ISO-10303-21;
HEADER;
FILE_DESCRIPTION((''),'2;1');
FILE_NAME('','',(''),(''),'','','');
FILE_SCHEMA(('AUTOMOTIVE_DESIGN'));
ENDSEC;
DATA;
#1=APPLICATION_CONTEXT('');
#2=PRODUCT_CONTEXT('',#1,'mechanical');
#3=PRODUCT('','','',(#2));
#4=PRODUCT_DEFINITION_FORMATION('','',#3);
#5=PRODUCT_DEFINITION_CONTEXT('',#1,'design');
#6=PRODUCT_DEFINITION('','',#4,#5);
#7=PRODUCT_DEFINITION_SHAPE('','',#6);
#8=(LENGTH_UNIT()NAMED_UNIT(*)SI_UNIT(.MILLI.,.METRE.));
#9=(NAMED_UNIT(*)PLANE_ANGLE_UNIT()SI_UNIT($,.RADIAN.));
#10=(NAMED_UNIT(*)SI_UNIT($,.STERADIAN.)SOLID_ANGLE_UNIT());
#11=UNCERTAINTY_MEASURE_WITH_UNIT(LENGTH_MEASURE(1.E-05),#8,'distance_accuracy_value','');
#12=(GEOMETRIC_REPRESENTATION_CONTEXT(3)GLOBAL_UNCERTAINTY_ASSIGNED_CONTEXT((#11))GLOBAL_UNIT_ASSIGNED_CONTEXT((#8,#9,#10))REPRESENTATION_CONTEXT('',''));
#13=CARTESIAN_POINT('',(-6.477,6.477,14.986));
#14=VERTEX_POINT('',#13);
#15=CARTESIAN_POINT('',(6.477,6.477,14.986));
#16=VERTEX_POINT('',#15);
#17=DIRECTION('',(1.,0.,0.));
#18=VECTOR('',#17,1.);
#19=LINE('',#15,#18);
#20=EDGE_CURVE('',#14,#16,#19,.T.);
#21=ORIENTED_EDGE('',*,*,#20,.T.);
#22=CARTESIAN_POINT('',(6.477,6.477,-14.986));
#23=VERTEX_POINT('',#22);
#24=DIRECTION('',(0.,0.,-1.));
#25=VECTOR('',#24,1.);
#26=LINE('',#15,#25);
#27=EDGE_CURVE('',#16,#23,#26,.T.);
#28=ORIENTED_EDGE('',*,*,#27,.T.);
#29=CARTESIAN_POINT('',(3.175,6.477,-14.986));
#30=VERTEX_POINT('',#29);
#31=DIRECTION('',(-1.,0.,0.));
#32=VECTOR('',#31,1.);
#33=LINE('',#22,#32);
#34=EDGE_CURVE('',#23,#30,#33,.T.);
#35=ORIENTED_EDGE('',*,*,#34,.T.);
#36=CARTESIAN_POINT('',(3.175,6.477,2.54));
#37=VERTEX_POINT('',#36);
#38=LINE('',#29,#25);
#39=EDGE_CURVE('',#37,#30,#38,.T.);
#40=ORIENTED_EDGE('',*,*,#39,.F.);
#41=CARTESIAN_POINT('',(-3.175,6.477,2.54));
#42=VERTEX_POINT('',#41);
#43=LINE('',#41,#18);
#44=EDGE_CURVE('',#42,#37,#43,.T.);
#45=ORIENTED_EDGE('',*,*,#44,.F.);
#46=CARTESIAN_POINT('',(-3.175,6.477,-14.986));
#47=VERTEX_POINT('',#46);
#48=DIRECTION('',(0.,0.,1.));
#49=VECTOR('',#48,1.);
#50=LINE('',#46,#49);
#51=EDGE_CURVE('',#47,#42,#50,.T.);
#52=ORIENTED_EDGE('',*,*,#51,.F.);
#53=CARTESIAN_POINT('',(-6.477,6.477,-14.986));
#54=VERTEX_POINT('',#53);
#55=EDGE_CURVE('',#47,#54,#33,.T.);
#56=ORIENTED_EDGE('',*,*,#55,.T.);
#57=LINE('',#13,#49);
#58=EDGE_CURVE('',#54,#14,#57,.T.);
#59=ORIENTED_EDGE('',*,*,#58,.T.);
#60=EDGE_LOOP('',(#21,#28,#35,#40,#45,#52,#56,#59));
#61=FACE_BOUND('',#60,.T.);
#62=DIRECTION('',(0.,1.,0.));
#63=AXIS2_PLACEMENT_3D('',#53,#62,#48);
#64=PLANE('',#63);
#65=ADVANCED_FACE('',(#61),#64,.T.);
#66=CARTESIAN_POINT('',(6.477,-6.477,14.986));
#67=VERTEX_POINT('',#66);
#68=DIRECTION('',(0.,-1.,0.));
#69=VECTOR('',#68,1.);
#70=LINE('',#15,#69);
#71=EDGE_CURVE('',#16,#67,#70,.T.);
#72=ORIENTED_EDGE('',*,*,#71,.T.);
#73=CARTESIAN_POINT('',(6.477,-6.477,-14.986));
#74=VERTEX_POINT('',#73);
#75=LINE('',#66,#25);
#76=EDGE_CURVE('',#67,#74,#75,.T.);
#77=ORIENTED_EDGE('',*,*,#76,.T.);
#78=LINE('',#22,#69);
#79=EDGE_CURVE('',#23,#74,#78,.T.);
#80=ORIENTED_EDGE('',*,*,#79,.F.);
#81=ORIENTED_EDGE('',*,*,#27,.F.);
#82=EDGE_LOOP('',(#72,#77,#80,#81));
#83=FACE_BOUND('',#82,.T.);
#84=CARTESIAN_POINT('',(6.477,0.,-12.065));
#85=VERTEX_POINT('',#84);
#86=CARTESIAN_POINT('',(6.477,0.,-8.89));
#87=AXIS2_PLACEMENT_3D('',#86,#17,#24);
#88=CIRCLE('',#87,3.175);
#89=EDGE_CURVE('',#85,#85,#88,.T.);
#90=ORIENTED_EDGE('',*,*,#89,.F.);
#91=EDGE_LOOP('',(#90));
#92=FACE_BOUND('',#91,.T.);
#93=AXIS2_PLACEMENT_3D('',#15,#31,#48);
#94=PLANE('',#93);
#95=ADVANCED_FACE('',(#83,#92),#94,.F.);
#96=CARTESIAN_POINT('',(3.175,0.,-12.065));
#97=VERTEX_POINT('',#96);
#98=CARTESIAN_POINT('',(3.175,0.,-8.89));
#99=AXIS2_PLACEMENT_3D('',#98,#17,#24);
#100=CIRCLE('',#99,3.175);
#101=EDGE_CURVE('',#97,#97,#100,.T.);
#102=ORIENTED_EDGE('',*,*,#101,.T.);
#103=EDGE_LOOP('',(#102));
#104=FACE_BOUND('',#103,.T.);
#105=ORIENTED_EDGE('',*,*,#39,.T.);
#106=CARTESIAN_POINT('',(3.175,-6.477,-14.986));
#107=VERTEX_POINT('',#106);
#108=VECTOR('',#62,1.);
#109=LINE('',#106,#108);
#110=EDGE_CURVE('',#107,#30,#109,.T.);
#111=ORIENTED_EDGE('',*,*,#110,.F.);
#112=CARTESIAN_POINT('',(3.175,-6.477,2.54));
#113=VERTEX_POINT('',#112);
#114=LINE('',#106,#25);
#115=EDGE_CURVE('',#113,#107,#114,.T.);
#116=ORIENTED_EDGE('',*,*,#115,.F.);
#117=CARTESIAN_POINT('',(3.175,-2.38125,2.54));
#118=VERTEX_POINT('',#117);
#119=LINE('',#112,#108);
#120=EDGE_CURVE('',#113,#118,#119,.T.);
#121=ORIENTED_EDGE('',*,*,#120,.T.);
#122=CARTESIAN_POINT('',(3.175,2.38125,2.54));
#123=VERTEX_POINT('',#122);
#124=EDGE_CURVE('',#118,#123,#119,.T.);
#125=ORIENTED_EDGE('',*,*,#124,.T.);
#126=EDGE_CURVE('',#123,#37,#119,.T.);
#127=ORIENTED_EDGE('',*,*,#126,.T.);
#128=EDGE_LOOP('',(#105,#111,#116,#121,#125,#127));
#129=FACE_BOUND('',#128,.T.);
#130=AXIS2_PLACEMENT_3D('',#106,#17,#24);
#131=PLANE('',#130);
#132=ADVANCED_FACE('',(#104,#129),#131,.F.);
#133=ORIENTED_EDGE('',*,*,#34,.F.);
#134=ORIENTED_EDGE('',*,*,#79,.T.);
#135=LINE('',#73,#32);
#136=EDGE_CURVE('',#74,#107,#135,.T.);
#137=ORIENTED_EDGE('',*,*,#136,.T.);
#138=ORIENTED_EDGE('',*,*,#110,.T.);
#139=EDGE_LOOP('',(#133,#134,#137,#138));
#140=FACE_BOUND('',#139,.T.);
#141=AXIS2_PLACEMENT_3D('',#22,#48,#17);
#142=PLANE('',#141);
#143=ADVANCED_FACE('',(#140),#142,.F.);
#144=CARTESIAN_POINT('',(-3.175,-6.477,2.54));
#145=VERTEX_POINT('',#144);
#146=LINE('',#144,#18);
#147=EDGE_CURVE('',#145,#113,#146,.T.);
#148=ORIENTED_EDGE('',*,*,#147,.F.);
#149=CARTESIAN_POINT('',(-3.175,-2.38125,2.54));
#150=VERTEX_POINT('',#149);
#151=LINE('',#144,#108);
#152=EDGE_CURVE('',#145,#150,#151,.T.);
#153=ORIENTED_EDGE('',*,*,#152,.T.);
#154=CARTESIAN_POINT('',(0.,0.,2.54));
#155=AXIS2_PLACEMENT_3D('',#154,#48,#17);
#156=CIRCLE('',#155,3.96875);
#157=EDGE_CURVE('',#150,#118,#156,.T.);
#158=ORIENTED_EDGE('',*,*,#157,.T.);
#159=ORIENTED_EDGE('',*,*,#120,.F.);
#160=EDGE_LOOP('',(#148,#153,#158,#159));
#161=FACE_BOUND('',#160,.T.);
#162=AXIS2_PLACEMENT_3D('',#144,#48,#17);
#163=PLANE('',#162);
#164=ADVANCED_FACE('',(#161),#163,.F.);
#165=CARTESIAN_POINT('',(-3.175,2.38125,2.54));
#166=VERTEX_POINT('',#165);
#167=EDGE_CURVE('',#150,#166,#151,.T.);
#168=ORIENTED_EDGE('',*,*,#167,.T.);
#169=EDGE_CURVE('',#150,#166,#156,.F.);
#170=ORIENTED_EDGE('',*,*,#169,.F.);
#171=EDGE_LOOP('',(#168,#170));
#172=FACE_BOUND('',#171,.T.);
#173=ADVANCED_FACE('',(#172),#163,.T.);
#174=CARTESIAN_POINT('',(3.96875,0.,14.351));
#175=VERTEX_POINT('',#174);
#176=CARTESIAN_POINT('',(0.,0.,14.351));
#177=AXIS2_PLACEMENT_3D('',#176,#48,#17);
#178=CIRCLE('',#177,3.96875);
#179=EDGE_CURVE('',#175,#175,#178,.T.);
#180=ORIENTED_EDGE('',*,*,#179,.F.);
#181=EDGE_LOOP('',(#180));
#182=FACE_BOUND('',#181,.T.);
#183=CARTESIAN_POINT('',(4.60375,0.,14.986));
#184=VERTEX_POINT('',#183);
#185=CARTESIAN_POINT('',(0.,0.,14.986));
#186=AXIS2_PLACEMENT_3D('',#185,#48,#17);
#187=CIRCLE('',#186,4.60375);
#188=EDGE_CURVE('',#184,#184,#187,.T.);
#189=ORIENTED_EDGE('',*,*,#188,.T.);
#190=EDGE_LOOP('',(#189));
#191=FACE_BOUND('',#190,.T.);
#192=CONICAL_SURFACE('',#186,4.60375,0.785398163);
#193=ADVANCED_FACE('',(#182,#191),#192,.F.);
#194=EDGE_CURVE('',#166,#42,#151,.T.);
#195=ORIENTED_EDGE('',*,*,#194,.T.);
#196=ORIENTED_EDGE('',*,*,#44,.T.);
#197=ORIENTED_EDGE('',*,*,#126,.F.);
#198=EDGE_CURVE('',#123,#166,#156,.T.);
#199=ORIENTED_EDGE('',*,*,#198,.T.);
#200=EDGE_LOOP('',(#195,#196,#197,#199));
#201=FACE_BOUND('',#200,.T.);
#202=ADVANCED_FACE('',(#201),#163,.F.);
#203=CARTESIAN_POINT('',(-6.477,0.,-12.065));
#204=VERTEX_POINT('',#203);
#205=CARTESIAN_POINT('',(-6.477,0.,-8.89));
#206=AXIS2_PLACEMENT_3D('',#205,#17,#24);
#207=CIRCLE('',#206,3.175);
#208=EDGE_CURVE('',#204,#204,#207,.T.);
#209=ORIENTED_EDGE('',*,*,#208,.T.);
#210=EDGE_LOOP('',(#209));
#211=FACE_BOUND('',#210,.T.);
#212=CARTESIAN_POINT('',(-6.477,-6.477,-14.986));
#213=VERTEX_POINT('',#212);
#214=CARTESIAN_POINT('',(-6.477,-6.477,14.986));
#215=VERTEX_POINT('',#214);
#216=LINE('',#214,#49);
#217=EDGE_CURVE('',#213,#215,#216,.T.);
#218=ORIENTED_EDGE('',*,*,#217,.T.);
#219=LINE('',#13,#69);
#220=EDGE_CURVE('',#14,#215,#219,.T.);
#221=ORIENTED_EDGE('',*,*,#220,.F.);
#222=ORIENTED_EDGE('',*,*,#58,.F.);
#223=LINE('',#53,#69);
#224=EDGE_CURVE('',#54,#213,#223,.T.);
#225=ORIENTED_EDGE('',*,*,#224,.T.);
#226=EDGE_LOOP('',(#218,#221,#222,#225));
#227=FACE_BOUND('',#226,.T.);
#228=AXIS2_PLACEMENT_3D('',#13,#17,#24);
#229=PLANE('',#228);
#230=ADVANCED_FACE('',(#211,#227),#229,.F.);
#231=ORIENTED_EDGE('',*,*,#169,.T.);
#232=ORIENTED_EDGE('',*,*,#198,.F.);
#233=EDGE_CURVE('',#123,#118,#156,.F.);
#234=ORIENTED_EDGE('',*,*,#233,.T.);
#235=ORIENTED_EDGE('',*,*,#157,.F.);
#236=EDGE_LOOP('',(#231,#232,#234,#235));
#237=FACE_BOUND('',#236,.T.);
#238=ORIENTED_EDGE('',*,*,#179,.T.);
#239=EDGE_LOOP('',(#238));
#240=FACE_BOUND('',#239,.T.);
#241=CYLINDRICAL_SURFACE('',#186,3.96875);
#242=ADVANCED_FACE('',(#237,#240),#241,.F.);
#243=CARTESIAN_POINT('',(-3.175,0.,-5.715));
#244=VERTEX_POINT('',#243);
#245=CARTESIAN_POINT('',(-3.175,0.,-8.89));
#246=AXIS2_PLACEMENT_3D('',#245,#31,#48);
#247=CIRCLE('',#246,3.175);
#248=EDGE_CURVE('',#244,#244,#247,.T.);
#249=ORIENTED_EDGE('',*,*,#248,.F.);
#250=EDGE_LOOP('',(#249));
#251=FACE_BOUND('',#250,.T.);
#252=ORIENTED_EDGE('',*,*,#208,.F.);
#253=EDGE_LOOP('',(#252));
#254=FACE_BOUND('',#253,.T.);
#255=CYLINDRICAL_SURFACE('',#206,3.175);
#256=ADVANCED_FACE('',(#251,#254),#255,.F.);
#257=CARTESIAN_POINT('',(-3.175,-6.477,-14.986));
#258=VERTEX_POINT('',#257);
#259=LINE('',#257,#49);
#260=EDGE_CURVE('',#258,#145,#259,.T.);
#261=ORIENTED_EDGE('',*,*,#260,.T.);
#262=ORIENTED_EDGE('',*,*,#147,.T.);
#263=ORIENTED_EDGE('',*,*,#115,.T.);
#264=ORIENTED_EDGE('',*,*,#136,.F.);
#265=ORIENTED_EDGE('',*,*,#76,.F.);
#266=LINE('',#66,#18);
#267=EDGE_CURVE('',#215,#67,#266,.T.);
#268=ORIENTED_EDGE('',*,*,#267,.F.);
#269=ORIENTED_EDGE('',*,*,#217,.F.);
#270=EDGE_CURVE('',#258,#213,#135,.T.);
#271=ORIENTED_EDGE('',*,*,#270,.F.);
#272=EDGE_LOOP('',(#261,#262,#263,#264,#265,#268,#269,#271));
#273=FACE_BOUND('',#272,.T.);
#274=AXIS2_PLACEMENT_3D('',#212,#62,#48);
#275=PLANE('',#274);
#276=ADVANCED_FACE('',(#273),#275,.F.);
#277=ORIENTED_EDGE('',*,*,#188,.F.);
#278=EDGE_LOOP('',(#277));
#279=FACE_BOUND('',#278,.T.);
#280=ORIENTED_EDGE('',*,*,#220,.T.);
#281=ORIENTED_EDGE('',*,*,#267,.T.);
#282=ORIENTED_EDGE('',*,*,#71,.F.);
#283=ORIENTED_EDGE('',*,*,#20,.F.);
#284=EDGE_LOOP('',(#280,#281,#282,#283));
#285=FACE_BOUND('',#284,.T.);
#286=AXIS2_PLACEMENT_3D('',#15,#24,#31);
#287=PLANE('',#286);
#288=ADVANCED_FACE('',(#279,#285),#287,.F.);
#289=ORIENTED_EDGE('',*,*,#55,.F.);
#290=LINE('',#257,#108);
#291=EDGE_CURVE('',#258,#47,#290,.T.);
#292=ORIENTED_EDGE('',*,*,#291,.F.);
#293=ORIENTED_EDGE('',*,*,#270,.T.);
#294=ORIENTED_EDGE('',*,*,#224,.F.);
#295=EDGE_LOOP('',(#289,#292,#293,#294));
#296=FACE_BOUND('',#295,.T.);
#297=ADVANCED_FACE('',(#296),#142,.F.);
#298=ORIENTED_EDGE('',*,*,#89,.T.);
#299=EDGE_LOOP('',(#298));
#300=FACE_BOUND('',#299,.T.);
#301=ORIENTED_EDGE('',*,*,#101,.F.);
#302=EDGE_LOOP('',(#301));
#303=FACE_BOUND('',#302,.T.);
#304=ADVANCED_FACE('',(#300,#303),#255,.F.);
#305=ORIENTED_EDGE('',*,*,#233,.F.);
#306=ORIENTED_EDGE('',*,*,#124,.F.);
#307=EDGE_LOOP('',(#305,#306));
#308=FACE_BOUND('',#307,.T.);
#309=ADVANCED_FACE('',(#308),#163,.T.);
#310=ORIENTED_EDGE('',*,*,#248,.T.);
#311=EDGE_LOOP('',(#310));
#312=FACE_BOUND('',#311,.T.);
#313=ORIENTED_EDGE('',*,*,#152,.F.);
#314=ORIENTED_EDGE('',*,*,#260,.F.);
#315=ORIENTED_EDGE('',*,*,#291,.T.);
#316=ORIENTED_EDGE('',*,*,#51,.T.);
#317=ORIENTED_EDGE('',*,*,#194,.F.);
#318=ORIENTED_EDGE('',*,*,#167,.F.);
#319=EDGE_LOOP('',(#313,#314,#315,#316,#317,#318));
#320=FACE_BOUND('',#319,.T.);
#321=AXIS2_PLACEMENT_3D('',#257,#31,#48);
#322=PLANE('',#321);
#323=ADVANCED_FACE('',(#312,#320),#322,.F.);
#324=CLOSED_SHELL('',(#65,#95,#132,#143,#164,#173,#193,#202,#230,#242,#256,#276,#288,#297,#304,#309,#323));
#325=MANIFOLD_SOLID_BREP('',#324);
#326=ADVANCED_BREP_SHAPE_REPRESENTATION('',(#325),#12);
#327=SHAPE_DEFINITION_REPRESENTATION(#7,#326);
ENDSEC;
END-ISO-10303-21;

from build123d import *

# Parameters (mm, degrees)
SKETCH1_W                          = 12.954
SKETCH1_H                          = 29.972
EXTRUDE1_DEPTH                     = 6.477
SKETCH2_W                          = 6.35
SKETCH2_H                          = 17.526
EXTRUDE2_DEPTH                     = 13.954
SKETCH5_R                          = 3.175
EXTRUDE3_DEPTH                     = 13.954
F_5_16_24_TAPPED_HOLE1_D           = 7.9375
F_5_16_24_TAPPED_HOLE1_DEPTH       = 12.446
F_5_16_24_TAPPED_HOLE1_CSINK_D     = 9.2075
F_5_16_24_TAPPED_HOLE1_CSINK_ANGLE = 90


with BuildPart() as part:
    # Sketch1 → Extrude1 (new body, symmetric)
    with BuildSketch(Plane(origin=(0, 0, 0), x_dir=(1, 0, 0), z_dir=(0, 1, 0))):
        Rectangle(SKETCH1_W, SKETCH1_H)
    extrude(amount=EXTRUDE1_DEPTH, both=True)

    # Sketch2 → Extrude2 (cut, through all)
    with BuildSketch(Plane(origin=(0, 6.477, 0), x_dir=(1, 0, 0), z_dir=(0, 1, 0))):
        with Locations((0, 6.223)):
            Rectangle(SKETCH2_W, SKETCH2_H)
    extrude(amount=-EXTRUDE2_DEPTH, mode=Mode.SUBTRACT)

    # Sketch5 → Extrude3 (cut, through all)
    with BuildSketch(Plane(origin=(6.477, 0, 0), x_dir=(0, 0, -1), z_dir=(1, 0, 0))):
        with Locations((8.89, 0)):
            Circle(SKETCH5_R)
    extrude(amount=-EXTRUDE3_DEPTH, mode=Mode.SUBTRACT)

    # 5/16-24 Tapped Hole1
    with Locations(Plane.XY.offset(14.986)):
        with Locations((0, 0)):
            CounterSinkHole(F_5_16_24_TAPPED_HOLE1_D / 2, F_5_16_24_TAPPED_HOLE1_CSINK_D / 2, depth=F_5_16_24_TAPPED_HOLE1_DEPTH, counter_sink_angle=F_5_16_24_TAPPED_HOLE1_CSINK_ANGLE)


solid = part.part
